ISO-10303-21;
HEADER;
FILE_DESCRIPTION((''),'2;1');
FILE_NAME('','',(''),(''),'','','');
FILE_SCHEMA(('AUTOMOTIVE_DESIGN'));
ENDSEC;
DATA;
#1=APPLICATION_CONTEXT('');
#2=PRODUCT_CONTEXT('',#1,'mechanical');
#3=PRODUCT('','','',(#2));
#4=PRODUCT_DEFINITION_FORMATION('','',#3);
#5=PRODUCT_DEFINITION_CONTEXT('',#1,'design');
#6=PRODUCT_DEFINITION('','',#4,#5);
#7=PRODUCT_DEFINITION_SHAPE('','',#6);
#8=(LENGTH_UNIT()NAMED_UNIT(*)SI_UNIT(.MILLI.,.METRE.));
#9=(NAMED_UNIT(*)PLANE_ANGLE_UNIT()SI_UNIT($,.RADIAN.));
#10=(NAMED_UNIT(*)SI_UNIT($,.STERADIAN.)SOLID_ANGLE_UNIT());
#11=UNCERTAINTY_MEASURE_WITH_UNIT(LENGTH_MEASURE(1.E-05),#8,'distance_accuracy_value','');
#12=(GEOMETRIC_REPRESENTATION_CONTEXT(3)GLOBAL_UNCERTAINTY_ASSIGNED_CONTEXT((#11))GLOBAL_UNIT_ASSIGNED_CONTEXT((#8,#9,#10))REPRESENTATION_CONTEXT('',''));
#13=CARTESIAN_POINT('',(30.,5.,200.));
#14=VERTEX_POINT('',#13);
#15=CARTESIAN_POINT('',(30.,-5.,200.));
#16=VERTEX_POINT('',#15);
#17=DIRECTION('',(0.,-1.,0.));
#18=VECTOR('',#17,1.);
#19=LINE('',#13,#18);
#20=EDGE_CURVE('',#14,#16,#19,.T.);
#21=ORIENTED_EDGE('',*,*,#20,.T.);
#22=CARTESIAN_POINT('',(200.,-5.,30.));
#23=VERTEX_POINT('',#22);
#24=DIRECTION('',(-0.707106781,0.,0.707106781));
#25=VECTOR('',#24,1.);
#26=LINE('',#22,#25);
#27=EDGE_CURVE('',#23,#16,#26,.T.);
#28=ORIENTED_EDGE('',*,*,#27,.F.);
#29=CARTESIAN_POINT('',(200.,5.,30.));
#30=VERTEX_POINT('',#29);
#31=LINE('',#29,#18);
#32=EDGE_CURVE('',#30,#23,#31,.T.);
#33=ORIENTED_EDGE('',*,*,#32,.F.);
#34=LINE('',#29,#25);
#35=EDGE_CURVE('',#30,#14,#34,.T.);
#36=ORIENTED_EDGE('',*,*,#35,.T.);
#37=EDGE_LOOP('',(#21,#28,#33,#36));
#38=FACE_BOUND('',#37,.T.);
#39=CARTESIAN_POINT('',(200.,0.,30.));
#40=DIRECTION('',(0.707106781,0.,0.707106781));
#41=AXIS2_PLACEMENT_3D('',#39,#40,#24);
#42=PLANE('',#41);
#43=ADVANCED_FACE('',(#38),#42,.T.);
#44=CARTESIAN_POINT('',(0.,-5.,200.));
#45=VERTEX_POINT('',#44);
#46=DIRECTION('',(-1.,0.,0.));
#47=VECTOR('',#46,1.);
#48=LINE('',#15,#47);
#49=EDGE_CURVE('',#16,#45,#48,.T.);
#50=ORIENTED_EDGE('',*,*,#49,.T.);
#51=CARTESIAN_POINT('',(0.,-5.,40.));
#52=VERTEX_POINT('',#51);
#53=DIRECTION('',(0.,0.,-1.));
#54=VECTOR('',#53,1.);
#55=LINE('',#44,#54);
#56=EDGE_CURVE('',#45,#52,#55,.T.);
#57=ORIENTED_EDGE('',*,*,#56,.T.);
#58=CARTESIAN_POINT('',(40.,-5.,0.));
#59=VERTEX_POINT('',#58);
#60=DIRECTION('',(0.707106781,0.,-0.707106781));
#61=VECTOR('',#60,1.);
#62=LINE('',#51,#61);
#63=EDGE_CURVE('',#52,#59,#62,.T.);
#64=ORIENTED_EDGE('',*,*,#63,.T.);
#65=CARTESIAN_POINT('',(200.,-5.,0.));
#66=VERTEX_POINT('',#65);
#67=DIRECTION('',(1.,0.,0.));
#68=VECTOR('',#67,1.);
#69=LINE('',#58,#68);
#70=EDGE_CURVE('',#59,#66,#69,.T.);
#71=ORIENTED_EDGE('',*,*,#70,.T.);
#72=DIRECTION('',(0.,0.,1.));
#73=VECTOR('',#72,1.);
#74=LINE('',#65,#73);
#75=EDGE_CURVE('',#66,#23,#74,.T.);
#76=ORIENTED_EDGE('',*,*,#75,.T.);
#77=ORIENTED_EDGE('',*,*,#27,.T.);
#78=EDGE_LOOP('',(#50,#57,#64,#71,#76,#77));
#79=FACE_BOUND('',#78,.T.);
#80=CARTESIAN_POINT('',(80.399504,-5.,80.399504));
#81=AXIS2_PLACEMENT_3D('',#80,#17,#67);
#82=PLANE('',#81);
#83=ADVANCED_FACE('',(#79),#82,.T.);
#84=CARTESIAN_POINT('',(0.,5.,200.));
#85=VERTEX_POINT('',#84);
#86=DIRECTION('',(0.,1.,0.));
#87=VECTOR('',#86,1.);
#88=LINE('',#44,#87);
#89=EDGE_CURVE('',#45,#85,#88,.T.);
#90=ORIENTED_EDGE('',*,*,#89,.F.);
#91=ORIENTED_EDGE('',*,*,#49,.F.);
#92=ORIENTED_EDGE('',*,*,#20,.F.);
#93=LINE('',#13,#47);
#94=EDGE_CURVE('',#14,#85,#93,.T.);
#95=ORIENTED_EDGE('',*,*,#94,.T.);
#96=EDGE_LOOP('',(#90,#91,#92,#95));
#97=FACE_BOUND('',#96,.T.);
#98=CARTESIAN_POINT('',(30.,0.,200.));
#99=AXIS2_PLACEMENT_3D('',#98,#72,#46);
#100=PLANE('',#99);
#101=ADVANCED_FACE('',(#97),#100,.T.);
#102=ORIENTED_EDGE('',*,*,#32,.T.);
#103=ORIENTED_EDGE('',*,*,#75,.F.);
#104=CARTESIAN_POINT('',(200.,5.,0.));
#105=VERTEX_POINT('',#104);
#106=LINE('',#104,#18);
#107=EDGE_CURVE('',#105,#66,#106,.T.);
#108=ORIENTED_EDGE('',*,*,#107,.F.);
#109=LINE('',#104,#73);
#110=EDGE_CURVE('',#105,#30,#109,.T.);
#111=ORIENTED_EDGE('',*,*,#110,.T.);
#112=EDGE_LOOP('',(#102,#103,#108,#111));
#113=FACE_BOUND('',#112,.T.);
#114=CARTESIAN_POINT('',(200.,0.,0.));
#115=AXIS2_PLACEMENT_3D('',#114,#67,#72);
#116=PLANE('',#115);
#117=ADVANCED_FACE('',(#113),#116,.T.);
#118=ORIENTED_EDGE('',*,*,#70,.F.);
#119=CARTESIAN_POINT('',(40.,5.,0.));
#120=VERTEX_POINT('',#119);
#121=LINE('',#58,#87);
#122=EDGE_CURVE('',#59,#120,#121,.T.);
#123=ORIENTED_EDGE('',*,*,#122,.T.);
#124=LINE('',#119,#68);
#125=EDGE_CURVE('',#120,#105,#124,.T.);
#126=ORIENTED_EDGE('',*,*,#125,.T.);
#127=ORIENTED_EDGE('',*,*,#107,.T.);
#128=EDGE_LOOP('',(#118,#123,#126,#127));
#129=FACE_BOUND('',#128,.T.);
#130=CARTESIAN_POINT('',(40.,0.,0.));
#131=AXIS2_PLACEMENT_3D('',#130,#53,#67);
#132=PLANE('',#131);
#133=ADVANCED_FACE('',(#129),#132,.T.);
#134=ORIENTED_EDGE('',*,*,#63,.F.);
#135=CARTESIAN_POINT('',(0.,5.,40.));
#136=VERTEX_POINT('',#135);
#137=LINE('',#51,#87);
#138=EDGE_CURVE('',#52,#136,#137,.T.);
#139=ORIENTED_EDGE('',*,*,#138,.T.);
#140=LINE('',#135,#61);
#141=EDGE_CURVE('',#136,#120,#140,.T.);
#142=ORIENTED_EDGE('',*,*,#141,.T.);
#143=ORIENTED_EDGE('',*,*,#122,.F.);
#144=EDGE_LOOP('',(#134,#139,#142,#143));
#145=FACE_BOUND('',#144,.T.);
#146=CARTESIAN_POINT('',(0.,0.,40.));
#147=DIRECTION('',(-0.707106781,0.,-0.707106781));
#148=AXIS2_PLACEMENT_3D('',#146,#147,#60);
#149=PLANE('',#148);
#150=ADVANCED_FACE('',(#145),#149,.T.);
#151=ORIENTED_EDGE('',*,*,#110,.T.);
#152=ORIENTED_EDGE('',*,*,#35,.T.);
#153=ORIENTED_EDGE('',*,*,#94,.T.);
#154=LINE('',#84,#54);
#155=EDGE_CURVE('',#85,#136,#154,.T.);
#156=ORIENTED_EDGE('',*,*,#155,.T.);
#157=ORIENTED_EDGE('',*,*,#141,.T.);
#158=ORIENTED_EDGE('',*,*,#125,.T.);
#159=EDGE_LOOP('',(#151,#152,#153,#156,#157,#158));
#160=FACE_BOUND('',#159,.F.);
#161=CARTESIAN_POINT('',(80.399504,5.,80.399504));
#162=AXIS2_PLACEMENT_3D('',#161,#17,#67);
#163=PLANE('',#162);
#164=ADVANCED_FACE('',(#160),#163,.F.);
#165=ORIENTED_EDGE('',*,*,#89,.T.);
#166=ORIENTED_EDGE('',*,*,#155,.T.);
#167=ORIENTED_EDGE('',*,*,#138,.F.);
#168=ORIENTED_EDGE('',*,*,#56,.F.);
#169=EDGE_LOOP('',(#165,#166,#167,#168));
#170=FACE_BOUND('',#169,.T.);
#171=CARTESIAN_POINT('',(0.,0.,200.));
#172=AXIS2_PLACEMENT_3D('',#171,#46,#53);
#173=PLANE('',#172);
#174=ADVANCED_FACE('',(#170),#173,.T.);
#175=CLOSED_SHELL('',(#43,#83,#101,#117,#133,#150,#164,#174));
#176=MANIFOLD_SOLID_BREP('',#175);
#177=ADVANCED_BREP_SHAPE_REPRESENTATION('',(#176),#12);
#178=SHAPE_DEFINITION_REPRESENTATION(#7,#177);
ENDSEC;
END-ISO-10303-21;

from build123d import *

# Parameters (mm, degrees)
PAD_DEPTH = 5


with BuildPart() as part:
    # Sketch → Pad (new body, symmetric)
    with BuildSketch(Plane.XZ):
        Polygon((40, 0), (200, 0), (200, 30), (30, 200), (0, 200), (0, 40), align=None)
    extrude(amount=PAD_DEPTH, both=True)


solid = part.part
